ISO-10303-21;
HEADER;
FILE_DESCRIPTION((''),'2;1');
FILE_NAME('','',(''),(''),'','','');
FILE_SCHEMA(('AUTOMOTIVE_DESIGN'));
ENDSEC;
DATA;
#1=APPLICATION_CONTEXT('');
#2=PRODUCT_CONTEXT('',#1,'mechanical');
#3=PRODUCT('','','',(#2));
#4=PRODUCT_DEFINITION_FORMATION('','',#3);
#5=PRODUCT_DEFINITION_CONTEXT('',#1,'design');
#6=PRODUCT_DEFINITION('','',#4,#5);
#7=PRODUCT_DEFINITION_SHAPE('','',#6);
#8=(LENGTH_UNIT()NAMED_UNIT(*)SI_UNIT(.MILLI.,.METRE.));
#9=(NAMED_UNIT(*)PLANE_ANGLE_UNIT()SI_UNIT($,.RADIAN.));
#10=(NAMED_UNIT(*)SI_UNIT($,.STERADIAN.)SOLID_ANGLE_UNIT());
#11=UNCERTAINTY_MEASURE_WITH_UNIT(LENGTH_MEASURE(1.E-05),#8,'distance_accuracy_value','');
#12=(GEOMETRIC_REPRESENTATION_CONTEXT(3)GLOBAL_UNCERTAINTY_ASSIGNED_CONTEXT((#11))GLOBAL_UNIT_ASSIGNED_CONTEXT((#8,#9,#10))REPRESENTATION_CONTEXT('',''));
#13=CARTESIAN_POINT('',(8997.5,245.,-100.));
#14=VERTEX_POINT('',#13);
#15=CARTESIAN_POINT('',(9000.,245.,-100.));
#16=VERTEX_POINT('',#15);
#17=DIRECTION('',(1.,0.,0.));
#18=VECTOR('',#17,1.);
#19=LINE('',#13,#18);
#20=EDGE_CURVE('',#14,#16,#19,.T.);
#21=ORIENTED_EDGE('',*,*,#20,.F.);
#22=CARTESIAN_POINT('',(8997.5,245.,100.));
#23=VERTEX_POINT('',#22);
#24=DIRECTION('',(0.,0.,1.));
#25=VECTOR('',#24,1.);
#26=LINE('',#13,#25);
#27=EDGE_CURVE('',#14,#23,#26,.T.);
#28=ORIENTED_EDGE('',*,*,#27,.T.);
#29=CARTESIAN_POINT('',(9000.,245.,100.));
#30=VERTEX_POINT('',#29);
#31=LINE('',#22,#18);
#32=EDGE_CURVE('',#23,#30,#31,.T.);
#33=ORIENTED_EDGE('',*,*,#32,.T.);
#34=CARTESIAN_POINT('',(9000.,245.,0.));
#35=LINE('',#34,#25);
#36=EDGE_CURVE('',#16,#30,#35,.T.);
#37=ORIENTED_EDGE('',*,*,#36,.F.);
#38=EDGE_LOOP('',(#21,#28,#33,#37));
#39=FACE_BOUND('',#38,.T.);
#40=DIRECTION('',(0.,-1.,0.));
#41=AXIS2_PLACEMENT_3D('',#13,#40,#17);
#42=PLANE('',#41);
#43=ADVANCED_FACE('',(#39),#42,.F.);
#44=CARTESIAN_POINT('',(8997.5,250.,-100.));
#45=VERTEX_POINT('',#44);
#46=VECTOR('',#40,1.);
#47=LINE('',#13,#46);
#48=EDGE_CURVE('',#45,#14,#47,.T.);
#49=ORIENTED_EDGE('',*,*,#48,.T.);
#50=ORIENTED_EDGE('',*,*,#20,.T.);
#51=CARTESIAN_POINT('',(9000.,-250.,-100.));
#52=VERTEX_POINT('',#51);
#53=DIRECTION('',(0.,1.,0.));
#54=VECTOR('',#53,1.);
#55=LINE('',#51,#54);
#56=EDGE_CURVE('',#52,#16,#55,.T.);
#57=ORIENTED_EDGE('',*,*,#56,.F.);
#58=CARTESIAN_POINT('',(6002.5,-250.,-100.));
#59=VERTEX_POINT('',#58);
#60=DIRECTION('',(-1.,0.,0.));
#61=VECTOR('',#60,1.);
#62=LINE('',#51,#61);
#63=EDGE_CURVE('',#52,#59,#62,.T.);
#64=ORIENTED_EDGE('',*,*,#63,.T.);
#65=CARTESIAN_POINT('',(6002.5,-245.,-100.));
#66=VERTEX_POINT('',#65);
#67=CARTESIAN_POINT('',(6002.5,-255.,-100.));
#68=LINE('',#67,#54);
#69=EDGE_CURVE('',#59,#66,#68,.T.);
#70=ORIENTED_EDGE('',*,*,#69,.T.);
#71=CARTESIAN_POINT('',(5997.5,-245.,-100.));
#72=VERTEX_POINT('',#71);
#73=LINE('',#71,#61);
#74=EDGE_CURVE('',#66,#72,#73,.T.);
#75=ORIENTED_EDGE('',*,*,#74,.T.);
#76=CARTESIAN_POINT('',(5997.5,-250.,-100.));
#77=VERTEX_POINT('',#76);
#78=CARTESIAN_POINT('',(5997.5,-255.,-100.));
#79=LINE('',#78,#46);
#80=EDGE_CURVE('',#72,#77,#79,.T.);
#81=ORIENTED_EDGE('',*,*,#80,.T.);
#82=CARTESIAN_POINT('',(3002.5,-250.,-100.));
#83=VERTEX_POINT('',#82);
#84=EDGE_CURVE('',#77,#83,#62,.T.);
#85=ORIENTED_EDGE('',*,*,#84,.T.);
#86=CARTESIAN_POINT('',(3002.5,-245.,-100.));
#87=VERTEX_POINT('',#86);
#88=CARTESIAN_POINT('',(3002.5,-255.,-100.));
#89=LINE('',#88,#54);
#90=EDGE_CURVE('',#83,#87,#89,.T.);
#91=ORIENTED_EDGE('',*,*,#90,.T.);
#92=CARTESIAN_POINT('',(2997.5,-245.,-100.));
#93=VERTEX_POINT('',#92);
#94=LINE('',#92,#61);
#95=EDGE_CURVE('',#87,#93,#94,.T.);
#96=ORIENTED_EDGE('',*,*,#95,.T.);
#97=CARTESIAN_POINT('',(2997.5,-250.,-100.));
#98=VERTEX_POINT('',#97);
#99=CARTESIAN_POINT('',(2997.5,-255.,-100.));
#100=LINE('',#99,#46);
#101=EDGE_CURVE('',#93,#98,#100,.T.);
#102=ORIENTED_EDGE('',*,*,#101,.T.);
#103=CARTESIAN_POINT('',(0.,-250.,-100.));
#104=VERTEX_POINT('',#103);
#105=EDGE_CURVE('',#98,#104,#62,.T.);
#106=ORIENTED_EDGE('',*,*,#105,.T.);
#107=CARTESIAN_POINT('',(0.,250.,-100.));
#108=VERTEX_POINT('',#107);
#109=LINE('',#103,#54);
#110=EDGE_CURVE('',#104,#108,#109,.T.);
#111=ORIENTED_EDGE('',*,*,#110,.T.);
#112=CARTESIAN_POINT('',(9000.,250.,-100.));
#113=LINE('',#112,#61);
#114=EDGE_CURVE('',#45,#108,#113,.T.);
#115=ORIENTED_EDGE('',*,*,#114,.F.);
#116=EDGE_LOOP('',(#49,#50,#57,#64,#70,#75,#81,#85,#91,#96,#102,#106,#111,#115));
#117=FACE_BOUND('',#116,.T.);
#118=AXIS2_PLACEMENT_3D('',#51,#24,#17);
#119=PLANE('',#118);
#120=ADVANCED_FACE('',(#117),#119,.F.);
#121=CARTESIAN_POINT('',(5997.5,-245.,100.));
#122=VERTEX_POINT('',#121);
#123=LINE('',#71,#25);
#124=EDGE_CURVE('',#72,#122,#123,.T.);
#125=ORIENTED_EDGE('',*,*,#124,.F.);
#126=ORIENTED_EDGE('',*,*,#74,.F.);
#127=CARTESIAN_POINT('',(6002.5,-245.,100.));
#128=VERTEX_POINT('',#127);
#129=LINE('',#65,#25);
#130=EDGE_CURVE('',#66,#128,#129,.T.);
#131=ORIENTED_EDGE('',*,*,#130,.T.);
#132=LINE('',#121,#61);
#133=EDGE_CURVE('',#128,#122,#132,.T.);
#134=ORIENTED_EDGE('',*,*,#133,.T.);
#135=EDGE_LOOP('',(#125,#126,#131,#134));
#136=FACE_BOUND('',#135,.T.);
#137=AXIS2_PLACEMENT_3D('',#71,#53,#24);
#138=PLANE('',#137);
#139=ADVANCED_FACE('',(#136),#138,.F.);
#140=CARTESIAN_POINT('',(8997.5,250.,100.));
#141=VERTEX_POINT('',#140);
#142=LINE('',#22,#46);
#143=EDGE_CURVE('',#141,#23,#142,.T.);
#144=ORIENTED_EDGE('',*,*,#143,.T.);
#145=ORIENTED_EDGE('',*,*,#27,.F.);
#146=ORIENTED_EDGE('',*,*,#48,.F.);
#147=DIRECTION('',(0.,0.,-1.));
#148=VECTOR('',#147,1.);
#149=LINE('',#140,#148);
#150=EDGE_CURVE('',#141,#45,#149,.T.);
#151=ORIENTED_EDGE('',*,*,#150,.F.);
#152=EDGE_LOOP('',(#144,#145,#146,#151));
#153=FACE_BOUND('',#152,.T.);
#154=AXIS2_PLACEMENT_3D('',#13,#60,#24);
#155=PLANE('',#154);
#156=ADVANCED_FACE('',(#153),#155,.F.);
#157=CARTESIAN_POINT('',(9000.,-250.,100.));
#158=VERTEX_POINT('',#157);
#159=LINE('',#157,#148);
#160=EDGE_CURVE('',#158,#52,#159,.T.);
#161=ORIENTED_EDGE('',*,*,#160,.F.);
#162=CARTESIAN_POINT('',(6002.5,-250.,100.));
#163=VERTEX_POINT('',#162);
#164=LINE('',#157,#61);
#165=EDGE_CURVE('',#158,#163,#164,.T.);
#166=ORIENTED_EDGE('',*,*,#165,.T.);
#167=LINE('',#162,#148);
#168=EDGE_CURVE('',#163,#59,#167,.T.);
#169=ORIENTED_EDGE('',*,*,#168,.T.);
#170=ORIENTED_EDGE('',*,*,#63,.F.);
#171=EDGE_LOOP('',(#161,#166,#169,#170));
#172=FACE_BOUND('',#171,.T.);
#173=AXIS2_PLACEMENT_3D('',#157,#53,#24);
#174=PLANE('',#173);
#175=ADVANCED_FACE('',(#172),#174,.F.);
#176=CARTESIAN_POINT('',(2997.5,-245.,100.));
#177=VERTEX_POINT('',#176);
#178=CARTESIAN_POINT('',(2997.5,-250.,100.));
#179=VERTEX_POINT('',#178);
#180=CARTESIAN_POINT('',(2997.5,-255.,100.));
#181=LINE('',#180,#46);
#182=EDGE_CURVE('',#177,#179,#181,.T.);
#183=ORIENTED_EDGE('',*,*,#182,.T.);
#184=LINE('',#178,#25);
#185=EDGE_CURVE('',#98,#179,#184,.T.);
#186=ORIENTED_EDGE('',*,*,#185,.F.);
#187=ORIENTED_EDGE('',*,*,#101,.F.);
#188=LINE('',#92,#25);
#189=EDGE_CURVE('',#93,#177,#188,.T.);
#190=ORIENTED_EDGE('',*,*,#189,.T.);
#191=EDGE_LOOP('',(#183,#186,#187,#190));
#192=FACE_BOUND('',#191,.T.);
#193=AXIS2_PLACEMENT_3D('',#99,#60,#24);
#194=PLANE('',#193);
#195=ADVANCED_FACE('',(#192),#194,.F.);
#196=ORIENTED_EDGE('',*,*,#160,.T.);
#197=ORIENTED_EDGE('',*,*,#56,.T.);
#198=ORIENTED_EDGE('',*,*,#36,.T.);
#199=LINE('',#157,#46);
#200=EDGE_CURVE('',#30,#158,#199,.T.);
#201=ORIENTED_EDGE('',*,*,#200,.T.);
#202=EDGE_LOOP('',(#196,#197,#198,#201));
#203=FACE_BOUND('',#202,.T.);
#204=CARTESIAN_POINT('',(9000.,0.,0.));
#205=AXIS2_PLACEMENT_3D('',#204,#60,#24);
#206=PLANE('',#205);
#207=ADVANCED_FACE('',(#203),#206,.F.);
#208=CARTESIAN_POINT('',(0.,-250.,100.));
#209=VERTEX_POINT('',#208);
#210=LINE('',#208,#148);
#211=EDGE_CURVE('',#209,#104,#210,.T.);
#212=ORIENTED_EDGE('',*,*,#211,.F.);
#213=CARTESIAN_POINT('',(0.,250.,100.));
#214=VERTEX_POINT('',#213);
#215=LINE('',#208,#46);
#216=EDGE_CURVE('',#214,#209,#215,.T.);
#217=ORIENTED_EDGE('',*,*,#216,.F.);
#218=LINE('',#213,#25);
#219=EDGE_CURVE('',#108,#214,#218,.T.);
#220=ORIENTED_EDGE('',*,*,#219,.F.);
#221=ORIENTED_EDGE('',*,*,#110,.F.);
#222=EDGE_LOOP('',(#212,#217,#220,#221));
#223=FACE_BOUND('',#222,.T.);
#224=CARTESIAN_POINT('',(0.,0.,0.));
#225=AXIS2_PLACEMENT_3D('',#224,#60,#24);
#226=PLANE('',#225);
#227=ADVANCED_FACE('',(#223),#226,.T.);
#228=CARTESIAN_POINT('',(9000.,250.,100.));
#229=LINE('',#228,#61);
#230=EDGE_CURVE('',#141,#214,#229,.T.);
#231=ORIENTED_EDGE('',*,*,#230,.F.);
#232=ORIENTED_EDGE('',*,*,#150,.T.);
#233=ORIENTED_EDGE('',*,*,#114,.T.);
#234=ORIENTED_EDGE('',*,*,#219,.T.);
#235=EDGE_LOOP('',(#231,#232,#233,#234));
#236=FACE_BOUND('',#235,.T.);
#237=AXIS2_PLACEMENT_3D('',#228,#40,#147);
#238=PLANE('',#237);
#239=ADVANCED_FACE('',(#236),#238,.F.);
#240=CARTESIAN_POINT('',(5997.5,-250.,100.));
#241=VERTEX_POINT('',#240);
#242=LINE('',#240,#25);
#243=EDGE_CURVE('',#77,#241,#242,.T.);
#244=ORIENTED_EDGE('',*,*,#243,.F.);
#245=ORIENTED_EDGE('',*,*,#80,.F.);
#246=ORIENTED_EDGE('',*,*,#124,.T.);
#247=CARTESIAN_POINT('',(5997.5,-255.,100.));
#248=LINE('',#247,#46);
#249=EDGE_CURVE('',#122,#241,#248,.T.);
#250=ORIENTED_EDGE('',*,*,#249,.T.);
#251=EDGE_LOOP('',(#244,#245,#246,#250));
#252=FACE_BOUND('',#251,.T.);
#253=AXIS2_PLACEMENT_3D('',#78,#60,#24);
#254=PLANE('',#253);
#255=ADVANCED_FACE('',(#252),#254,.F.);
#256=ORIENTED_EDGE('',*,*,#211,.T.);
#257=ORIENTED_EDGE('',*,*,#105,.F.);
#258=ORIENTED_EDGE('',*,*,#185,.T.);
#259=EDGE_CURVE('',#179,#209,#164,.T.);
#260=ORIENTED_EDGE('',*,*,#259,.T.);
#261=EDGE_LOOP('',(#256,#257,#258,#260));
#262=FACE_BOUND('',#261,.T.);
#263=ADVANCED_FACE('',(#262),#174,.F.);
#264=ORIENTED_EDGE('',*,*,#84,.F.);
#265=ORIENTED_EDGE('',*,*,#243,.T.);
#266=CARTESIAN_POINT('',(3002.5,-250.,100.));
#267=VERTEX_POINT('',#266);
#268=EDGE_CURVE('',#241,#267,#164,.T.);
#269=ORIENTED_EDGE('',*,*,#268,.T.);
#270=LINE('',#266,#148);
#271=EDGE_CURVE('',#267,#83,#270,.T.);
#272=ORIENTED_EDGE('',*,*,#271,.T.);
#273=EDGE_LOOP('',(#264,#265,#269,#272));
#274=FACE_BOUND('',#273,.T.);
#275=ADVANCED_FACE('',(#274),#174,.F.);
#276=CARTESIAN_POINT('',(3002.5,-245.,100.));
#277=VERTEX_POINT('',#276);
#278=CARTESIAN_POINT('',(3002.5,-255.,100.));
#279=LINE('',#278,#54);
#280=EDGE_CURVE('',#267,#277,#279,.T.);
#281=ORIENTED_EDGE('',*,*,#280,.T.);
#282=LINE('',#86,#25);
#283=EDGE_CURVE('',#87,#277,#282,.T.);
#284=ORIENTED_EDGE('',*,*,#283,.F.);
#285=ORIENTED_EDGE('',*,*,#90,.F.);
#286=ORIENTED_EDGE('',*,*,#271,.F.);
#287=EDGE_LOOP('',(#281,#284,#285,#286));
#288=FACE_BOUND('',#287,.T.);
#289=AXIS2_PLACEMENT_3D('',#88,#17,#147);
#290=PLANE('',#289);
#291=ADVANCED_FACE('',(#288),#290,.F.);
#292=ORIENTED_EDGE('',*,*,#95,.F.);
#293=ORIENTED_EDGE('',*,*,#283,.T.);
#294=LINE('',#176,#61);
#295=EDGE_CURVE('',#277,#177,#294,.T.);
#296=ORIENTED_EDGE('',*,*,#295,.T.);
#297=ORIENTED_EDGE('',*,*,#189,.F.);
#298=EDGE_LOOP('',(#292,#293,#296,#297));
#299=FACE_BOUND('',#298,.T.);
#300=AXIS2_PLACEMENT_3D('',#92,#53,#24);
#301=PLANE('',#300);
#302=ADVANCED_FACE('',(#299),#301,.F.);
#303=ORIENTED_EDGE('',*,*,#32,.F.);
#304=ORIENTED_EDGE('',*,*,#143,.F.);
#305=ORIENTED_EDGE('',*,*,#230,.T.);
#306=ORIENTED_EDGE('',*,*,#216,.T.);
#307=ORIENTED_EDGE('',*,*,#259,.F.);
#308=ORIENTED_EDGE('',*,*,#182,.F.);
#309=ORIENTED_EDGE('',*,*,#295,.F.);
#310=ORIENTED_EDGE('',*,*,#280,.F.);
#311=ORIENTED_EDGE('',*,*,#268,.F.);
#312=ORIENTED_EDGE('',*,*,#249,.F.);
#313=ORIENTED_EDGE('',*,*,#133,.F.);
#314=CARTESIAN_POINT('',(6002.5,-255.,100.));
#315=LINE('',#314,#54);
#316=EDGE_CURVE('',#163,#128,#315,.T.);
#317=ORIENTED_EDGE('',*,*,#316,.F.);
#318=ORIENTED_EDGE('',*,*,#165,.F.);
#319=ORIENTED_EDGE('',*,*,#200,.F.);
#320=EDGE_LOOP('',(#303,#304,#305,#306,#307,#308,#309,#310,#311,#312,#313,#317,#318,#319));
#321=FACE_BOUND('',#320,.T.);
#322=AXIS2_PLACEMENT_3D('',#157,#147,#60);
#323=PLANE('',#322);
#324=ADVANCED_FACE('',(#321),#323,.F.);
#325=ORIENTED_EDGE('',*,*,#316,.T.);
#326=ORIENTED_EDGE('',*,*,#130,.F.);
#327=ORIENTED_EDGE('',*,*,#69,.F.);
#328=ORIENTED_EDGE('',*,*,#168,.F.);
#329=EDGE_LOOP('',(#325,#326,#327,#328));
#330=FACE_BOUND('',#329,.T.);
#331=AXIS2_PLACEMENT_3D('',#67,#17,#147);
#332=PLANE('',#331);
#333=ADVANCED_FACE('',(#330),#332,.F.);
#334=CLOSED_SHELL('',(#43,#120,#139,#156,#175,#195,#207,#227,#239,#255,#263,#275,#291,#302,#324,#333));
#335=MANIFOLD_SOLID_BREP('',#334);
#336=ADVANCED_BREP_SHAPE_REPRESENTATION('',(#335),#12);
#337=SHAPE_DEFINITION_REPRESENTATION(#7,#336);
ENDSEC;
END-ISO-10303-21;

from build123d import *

# Parameters (mm, degrees)
SKETCH1_W           = 200
SKETCH1_H           = 500
BOSS_EXTRUDE1_DEPTH = 9000
SKETCH2_W           = 5
SKETCH2_H           = 10
CUT_EXTRUDE1_DEPTH  = 201


with BuildPart() as part:
    # Sketch1 → Boss-Extrude1 (new body)
    with BuildSketch(Plane(origin=(0, 0, 0), x_dir=(0, 0, -1), z_dir=(1, 0, 0))):
        Rectangle(SKETCH1_W, SKETCH1_H)
    extrude(amount=BOSS_EXTRUDE1_DEPTH)

    # Sketch2 → Cut-Extrude1 (cut, through all)
    with BuildSketch(Plane.XY.offset(100)):
        with Locations((3000, -250)):
            Rectangle(SKETCH2_W, SKETCH2_H)
        with Locations((6000, -250)):
            Rectangle(SKETCH2_W, SKETCH2_H)
        with Locations((9000, 250)):
            Rectangle(SKETCH2_W, SKETCH2_H)
    extrude(amount=-CUT_EXTRUDE1_DEPTH, mode=Mode.SUBTRACT)


solid = part.part
